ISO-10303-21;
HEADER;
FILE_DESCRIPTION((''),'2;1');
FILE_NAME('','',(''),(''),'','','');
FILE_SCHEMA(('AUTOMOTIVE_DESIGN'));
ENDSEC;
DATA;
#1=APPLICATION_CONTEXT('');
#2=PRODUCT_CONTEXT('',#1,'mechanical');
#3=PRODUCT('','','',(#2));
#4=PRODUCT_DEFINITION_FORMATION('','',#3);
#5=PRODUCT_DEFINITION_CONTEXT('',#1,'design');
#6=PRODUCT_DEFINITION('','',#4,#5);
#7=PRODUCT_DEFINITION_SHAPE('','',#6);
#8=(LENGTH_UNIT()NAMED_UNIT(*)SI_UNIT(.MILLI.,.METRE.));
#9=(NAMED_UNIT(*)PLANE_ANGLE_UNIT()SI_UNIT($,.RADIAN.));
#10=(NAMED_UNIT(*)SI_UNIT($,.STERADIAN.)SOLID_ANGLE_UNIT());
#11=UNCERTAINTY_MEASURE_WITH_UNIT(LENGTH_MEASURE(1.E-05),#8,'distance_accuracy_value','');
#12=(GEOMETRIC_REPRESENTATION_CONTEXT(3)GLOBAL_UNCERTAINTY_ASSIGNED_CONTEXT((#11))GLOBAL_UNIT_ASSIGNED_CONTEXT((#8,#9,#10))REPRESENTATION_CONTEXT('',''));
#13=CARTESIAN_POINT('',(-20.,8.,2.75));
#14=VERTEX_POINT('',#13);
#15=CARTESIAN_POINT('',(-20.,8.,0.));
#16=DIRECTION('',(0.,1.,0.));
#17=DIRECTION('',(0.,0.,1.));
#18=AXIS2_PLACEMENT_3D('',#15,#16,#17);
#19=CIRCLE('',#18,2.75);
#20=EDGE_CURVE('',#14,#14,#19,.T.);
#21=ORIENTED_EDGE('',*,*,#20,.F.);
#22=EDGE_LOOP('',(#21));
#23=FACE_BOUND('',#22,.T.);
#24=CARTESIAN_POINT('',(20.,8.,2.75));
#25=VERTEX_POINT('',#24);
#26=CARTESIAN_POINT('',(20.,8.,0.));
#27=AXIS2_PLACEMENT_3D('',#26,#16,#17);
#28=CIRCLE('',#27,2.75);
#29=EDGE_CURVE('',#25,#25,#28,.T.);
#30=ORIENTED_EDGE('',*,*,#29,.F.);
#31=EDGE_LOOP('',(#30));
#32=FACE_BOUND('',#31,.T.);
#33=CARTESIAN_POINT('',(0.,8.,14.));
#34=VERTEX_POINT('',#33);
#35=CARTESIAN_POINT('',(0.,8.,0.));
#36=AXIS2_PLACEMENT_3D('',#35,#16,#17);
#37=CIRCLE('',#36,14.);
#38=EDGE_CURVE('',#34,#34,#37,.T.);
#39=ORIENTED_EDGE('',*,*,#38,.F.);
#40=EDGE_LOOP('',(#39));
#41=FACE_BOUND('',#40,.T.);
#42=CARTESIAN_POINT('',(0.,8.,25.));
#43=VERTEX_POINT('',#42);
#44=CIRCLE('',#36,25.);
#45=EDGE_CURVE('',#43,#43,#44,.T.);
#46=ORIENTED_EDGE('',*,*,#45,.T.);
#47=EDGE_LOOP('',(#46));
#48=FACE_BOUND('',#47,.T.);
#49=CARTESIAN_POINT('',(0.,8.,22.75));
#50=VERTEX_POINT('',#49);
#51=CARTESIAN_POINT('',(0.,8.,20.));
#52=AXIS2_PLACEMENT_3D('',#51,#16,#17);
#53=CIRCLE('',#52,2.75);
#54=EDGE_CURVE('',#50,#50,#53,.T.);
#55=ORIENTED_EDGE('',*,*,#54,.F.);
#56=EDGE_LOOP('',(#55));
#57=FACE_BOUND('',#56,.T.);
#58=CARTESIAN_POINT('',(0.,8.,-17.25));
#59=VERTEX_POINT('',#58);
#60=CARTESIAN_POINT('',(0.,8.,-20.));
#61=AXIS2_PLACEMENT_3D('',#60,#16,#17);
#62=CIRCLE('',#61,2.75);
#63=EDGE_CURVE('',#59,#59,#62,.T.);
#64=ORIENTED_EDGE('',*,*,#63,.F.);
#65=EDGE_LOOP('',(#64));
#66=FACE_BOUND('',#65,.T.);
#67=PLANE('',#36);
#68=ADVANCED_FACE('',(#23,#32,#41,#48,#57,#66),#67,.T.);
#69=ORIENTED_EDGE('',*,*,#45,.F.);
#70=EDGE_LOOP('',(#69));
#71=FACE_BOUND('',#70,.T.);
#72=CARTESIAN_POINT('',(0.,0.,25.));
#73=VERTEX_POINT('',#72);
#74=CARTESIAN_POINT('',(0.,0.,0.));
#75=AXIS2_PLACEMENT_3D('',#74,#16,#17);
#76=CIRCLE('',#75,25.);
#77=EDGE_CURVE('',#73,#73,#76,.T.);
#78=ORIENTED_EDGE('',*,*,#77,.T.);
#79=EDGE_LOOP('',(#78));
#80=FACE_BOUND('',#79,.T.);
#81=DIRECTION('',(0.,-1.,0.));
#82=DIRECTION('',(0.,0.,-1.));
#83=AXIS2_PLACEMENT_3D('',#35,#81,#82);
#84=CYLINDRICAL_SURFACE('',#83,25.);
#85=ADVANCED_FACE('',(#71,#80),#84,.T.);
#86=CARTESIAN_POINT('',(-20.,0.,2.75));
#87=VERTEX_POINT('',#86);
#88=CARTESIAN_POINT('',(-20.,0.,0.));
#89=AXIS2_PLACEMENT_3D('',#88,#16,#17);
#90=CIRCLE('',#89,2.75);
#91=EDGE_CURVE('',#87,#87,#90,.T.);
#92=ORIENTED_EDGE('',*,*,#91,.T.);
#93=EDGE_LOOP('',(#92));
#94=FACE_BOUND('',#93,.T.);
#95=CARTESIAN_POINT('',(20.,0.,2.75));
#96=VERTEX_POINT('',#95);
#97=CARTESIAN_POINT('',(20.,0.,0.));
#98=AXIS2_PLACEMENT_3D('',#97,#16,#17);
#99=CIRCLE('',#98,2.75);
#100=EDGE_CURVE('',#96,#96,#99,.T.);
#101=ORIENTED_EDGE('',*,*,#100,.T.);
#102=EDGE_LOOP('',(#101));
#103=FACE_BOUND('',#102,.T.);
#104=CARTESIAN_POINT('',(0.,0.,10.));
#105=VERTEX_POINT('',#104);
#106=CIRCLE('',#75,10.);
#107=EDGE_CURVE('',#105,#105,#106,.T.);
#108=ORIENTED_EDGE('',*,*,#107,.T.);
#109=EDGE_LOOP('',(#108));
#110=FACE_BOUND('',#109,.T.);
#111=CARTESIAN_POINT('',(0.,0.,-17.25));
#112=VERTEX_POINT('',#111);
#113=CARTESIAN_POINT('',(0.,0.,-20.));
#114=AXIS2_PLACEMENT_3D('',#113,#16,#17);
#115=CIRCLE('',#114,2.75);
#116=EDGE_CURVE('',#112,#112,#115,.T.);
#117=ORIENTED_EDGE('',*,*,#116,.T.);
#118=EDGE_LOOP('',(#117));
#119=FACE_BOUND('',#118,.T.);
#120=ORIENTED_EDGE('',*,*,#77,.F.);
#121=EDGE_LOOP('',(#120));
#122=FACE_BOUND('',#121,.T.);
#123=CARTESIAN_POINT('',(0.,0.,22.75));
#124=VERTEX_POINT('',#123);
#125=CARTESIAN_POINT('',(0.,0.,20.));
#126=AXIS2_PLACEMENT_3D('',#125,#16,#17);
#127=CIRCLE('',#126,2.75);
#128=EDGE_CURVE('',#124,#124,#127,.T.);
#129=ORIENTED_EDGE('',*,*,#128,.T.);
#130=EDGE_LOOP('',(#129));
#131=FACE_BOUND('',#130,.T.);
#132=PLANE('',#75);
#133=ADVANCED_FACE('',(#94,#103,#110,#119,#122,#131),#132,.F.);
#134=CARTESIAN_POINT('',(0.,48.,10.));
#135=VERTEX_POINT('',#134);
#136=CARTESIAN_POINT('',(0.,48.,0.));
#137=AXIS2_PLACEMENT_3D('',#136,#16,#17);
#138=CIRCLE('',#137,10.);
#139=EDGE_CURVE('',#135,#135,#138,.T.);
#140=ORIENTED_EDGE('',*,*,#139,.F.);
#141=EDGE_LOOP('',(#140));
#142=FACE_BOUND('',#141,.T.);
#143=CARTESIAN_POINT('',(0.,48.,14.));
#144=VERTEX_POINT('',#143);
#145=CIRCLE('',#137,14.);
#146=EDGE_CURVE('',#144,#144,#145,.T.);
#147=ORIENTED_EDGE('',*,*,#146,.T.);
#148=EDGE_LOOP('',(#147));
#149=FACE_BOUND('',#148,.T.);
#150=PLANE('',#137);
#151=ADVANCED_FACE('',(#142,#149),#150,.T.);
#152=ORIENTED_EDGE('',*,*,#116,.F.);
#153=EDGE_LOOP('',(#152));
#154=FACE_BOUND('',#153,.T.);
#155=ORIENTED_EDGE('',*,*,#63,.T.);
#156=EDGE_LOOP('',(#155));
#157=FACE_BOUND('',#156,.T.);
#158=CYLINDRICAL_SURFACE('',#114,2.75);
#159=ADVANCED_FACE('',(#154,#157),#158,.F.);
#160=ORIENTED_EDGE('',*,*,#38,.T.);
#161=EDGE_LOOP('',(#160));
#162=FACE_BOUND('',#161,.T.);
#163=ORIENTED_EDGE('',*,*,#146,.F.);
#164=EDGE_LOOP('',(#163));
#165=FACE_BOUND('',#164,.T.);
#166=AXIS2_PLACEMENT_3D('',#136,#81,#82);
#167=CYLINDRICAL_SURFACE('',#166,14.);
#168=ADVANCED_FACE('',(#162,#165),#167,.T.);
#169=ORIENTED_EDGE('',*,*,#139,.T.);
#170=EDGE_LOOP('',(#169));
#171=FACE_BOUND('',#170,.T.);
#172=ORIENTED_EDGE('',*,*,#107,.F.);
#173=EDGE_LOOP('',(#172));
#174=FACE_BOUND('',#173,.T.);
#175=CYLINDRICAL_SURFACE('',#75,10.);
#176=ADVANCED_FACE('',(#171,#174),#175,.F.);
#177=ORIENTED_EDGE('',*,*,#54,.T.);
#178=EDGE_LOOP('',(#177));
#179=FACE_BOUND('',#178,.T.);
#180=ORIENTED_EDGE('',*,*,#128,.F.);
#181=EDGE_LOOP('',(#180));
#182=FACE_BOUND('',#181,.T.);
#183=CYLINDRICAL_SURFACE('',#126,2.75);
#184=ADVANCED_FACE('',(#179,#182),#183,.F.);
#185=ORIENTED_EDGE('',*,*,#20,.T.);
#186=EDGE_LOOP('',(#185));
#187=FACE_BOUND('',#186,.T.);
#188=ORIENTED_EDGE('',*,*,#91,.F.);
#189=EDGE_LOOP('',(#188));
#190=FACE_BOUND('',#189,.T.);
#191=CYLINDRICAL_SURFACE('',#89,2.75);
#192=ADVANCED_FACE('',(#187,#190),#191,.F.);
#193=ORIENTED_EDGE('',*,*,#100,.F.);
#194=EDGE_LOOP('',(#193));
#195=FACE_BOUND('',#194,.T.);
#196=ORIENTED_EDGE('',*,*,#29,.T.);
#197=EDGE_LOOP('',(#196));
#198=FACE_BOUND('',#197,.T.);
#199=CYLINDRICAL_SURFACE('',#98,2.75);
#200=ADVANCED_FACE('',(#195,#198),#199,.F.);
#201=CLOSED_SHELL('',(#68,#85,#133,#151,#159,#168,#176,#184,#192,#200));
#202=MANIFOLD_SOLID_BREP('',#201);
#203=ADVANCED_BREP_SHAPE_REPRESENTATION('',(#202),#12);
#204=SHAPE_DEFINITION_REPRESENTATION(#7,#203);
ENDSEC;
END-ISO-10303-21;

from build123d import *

# Parameters (mm, degrees)
ESQUISSE1_R                  = 25
BOSS_EXTRU_1_DEPTH           = 8
ESQUISSE2_R                  = 14
BOSS_EXTRU_2_DEPTH           = 40
ENL_V_MAT_EXTRU_1_DEPTH      = 60.615434243
ENL_V_MAT_EXTRU_1_DEPTH_BACK = 60.615434243
ESQUISSE3_R                  = 10
ENL_V_MAT_EXTRU_2_DEPTH      = 54.38539126
ENL_V_MAT_EXTRU_2_DEPTH_BACK = 54.38539126
ESQUISSE4_R                  = 2.75


with BuildPart() as part:
    # Esquisse1 → Boss.-Extru.1 (new body)
    with BuildSketch(Plane(origin=(0, 0, 0), x_dir=(1, 0, 0), z_dir=(0, 1, 0))):
        with Locations(Location((0, 0, 0), (0, 0, 270))):
            Circle(ESQUISSE1_R)
    extrude(amount=BOSS_EXTRU_1_DEPTH)

    # Esquisse2 → Boss.-Extru.2 (add)
    with BuildSketch(Plane(origin=(0, 8, 0), x_dir=(1, 0, 0), z_dir=(0, 1, 0))):
        with Locations(Location((0, 0, 0), (0, 0, 270))):
            Circle(ESQUISSE2_R)
    extrude(amount=BOSS_EXTRU_2_DEPTH)

    # Esquisse3 → Enlèv. mat.-Extru.1 (cut, two sides: drawn at the far end of the back side and taken through both)
    with BuildSketch(Plane(origin=(0, 48, 0), x_dir=(1, 0, 0), z_dir=(0, 1, 0)).offset(-ENL_V_MAT_EXTRU_1_DEPTH_BACK)):
        with Locations(Location((0, 0, 0), (0, 0, 270))):
            Circle(ESQUISSE3_R)
    extrude(amount=ENL_V_MAT_EXTRU_1_DEPTH + ENL_V_MAT_EXTRU_1_DEPTH_BACK, mode=Mode.SUBTRACT)

    # Esquisse4 → Enlèv. mat.-Extru.2 (cut, two sides: drawn at the far end of the back side and taken through both)
    with BuildSketch(Plane(origin=(0, 8, 0), x_dir=(1, 0, 0), z_dir=(0, 1, 0)).offset(-ENL_V_MAT_EXTRU_2_DEPTH_BACK)):
        with Locations(Location((0, 20, 0), (0, 0, 270))):
            Circle(ESQUISSE4_R)
        with Locations(Location((20, 0, 0), (0, 0, 270))):
            Circle(ESQUISSE4_R)
        with Locations(Location((0, -20, 0), (0, 0, 270))):
            Circle(ESQUISSE4_R)
        with Locations(Location((-20, 0, 0), (0, 0, 270))):
            Circle(ESQUISSE4_R)
    extrude(amount=ENL_V_MAT_EXTRU_2_DEPTH + ENL_V_MAT_EXTRU_2_DEPTH_BACK, mode=Mode.SUBTRACT)


solid = part.part
